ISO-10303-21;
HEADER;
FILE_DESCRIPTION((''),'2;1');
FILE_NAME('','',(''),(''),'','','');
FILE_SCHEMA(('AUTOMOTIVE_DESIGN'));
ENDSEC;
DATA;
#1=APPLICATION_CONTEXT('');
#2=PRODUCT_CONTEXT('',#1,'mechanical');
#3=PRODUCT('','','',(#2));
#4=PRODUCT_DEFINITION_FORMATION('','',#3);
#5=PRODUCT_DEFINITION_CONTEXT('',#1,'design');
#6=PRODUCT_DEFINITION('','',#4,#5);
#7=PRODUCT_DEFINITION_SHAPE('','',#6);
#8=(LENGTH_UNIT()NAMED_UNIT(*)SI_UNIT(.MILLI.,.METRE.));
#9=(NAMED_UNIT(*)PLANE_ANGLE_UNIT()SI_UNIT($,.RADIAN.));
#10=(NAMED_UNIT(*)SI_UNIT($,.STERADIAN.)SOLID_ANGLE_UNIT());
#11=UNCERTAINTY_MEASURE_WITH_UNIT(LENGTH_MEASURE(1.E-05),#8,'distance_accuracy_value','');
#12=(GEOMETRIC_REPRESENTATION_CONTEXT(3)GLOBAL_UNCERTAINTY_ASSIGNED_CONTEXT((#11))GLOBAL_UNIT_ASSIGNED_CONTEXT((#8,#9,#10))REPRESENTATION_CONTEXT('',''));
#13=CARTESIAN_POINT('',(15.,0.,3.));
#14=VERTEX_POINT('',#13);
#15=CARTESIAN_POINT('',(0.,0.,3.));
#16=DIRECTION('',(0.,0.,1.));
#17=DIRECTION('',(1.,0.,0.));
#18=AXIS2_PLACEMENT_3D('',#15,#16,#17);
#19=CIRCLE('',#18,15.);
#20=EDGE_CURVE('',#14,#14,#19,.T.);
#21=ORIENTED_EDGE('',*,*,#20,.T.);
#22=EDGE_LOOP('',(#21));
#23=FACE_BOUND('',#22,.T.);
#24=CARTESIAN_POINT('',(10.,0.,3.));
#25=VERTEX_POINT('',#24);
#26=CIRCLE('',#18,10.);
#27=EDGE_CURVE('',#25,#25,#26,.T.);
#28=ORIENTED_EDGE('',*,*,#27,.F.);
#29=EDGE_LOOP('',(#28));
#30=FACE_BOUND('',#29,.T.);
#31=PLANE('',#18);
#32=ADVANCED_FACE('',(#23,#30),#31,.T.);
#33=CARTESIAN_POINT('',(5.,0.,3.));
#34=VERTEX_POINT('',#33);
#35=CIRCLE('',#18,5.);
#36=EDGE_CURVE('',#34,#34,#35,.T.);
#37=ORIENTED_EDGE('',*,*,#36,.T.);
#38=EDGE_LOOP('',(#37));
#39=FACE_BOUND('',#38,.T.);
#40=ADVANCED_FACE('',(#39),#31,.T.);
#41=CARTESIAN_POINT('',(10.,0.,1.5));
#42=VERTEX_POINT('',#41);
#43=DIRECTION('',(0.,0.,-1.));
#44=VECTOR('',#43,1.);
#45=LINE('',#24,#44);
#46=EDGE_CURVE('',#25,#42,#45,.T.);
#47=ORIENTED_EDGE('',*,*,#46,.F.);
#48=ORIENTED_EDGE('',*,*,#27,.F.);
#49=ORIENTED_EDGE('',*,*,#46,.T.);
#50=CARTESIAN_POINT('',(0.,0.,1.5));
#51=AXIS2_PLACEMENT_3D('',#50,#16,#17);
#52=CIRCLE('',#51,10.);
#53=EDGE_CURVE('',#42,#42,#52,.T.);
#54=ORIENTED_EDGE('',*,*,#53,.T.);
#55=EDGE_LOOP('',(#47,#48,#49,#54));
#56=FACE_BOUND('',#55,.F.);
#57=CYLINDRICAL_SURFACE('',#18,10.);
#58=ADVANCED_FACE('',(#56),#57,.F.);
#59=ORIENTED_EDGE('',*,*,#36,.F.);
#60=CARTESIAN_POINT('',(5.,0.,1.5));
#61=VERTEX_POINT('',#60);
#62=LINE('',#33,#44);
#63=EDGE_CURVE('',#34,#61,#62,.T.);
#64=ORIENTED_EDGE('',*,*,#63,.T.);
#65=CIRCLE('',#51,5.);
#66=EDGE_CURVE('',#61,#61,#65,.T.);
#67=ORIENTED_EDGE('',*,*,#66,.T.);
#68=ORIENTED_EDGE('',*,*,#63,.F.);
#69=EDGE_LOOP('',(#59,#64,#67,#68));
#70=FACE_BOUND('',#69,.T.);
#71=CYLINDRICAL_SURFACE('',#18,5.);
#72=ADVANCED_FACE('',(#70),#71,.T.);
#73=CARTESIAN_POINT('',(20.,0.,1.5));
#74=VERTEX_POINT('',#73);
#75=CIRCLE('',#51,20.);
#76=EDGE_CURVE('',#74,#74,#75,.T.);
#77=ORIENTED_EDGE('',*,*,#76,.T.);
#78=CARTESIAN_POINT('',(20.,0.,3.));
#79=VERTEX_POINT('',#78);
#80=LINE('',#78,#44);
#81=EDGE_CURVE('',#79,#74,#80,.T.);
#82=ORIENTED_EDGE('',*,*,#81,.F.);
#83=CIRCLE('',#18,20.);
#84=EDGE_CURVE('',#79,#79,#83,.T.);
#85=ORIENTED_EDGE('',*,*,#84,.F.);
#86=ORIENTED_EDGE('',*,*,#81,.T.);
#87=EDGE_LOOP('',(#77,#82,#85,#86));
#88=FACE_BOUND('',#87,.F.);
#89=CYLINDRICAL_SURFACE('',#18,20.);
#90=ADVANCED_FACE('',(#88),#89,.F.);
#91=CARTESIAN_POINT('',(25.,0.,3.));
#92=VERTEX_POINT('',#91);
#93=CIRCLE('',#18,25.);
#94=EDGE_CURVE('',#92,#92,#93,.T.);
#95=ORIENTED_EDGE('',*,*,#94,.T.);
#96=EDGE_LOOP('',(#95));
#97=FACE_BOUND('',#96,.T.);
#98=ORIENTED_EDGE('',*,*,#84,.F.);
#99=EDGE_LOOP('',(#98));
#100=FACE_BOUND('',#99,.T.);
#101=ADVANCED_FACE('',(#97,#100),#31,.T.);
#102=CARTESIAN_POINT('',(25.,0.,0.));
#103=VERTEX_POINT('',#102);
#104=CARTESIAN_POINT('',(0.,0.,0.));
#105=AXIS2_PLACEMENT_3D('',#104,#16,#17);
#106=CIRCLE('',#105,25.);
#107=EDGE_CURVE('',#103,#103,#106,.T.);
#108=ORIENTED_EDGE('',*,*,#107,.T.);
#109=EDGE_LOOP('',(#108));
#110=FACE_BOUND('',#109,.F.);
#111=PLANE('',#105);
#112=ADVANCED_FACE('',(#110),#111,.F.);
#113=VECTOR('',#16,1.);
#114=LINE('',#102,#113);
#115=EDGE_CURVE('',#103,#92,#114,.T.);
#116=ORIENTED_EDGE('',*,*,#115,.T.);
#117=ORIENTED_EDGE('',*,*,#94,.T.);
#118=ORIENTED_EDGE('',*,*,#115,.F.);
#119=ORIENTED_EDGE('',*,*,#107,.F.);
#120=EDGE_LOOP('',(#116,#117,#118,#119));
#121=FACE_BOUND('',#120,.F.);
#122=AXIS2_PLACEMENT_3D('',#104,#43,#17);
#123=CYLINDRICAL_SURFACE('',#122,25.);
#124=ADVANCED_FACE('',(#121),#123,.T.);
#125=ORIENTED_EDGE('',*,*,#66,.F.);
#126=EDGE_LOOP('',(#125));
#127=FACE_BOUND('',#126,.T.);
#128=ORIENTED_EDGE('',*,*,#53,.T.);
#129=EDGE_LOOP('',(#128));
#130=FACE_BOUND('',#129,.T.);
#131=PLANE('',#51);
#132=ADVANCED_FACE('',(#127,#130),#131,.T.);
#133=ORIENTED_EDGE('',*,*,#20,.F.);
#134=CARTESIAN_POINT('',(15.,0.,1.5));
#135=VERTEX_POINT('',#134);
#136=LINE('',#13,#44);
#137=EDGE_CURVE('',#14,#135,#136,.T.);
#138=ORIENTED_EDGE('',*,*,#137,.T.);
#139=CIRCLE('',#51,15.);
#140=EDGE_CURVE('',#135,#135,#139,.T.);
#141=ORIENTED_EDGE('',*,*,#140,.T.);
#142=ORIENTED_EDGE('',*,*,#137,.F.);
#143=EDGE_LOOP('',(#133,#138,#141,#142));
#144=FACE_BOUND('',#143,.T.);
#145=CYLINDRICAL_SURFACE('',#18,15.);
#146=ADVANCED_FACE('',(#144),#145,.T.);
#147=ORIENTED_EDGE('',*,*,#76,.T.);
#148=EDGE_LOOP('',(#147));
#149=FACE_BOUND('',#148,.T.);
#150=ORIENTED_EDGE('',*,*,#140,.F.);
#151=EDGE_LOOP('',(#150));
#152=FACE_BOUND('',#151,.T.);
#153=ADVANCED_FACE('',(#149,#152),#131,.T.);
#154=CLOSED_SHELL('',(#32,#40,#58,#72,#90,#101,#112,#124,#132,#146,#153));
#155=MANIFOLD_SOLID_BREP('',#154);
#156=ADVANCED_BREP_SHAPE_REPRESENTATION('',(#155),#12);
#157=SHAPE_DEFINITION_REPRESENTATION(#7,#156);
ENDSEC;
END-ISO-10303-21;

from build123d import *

# Parameters (mm, degrees)
F0_R     = 25
F1_DEPTH = 3
F2_R     = 20
F2_R_2   = 15
F2_R_3   = 10
F2_R_4   = 5
F3_DEPTH = 1.5


with BuildPart() as f1:
    # F0 (on Top) → F1 (new body)
    with BuildSketch(Plane.XY):
        Circle(F0_R)
    extrude(amount=F1_DEPTH)

    # F2 (on face) → F3 (cut)
    with BuildSketch(Plane.XY.offset(3)):
        Circle(F2_R)
        Circle(F2_R_2, mode=Mode.SUBTRACT)
        Circle(F2_R_3)
        Circle(F2_R_4, mode=Mode.SUBTRACT)
    extrude(amount=-F3_DEPTH, mode=Mode.SUBTRACT)


solid = f1.part
